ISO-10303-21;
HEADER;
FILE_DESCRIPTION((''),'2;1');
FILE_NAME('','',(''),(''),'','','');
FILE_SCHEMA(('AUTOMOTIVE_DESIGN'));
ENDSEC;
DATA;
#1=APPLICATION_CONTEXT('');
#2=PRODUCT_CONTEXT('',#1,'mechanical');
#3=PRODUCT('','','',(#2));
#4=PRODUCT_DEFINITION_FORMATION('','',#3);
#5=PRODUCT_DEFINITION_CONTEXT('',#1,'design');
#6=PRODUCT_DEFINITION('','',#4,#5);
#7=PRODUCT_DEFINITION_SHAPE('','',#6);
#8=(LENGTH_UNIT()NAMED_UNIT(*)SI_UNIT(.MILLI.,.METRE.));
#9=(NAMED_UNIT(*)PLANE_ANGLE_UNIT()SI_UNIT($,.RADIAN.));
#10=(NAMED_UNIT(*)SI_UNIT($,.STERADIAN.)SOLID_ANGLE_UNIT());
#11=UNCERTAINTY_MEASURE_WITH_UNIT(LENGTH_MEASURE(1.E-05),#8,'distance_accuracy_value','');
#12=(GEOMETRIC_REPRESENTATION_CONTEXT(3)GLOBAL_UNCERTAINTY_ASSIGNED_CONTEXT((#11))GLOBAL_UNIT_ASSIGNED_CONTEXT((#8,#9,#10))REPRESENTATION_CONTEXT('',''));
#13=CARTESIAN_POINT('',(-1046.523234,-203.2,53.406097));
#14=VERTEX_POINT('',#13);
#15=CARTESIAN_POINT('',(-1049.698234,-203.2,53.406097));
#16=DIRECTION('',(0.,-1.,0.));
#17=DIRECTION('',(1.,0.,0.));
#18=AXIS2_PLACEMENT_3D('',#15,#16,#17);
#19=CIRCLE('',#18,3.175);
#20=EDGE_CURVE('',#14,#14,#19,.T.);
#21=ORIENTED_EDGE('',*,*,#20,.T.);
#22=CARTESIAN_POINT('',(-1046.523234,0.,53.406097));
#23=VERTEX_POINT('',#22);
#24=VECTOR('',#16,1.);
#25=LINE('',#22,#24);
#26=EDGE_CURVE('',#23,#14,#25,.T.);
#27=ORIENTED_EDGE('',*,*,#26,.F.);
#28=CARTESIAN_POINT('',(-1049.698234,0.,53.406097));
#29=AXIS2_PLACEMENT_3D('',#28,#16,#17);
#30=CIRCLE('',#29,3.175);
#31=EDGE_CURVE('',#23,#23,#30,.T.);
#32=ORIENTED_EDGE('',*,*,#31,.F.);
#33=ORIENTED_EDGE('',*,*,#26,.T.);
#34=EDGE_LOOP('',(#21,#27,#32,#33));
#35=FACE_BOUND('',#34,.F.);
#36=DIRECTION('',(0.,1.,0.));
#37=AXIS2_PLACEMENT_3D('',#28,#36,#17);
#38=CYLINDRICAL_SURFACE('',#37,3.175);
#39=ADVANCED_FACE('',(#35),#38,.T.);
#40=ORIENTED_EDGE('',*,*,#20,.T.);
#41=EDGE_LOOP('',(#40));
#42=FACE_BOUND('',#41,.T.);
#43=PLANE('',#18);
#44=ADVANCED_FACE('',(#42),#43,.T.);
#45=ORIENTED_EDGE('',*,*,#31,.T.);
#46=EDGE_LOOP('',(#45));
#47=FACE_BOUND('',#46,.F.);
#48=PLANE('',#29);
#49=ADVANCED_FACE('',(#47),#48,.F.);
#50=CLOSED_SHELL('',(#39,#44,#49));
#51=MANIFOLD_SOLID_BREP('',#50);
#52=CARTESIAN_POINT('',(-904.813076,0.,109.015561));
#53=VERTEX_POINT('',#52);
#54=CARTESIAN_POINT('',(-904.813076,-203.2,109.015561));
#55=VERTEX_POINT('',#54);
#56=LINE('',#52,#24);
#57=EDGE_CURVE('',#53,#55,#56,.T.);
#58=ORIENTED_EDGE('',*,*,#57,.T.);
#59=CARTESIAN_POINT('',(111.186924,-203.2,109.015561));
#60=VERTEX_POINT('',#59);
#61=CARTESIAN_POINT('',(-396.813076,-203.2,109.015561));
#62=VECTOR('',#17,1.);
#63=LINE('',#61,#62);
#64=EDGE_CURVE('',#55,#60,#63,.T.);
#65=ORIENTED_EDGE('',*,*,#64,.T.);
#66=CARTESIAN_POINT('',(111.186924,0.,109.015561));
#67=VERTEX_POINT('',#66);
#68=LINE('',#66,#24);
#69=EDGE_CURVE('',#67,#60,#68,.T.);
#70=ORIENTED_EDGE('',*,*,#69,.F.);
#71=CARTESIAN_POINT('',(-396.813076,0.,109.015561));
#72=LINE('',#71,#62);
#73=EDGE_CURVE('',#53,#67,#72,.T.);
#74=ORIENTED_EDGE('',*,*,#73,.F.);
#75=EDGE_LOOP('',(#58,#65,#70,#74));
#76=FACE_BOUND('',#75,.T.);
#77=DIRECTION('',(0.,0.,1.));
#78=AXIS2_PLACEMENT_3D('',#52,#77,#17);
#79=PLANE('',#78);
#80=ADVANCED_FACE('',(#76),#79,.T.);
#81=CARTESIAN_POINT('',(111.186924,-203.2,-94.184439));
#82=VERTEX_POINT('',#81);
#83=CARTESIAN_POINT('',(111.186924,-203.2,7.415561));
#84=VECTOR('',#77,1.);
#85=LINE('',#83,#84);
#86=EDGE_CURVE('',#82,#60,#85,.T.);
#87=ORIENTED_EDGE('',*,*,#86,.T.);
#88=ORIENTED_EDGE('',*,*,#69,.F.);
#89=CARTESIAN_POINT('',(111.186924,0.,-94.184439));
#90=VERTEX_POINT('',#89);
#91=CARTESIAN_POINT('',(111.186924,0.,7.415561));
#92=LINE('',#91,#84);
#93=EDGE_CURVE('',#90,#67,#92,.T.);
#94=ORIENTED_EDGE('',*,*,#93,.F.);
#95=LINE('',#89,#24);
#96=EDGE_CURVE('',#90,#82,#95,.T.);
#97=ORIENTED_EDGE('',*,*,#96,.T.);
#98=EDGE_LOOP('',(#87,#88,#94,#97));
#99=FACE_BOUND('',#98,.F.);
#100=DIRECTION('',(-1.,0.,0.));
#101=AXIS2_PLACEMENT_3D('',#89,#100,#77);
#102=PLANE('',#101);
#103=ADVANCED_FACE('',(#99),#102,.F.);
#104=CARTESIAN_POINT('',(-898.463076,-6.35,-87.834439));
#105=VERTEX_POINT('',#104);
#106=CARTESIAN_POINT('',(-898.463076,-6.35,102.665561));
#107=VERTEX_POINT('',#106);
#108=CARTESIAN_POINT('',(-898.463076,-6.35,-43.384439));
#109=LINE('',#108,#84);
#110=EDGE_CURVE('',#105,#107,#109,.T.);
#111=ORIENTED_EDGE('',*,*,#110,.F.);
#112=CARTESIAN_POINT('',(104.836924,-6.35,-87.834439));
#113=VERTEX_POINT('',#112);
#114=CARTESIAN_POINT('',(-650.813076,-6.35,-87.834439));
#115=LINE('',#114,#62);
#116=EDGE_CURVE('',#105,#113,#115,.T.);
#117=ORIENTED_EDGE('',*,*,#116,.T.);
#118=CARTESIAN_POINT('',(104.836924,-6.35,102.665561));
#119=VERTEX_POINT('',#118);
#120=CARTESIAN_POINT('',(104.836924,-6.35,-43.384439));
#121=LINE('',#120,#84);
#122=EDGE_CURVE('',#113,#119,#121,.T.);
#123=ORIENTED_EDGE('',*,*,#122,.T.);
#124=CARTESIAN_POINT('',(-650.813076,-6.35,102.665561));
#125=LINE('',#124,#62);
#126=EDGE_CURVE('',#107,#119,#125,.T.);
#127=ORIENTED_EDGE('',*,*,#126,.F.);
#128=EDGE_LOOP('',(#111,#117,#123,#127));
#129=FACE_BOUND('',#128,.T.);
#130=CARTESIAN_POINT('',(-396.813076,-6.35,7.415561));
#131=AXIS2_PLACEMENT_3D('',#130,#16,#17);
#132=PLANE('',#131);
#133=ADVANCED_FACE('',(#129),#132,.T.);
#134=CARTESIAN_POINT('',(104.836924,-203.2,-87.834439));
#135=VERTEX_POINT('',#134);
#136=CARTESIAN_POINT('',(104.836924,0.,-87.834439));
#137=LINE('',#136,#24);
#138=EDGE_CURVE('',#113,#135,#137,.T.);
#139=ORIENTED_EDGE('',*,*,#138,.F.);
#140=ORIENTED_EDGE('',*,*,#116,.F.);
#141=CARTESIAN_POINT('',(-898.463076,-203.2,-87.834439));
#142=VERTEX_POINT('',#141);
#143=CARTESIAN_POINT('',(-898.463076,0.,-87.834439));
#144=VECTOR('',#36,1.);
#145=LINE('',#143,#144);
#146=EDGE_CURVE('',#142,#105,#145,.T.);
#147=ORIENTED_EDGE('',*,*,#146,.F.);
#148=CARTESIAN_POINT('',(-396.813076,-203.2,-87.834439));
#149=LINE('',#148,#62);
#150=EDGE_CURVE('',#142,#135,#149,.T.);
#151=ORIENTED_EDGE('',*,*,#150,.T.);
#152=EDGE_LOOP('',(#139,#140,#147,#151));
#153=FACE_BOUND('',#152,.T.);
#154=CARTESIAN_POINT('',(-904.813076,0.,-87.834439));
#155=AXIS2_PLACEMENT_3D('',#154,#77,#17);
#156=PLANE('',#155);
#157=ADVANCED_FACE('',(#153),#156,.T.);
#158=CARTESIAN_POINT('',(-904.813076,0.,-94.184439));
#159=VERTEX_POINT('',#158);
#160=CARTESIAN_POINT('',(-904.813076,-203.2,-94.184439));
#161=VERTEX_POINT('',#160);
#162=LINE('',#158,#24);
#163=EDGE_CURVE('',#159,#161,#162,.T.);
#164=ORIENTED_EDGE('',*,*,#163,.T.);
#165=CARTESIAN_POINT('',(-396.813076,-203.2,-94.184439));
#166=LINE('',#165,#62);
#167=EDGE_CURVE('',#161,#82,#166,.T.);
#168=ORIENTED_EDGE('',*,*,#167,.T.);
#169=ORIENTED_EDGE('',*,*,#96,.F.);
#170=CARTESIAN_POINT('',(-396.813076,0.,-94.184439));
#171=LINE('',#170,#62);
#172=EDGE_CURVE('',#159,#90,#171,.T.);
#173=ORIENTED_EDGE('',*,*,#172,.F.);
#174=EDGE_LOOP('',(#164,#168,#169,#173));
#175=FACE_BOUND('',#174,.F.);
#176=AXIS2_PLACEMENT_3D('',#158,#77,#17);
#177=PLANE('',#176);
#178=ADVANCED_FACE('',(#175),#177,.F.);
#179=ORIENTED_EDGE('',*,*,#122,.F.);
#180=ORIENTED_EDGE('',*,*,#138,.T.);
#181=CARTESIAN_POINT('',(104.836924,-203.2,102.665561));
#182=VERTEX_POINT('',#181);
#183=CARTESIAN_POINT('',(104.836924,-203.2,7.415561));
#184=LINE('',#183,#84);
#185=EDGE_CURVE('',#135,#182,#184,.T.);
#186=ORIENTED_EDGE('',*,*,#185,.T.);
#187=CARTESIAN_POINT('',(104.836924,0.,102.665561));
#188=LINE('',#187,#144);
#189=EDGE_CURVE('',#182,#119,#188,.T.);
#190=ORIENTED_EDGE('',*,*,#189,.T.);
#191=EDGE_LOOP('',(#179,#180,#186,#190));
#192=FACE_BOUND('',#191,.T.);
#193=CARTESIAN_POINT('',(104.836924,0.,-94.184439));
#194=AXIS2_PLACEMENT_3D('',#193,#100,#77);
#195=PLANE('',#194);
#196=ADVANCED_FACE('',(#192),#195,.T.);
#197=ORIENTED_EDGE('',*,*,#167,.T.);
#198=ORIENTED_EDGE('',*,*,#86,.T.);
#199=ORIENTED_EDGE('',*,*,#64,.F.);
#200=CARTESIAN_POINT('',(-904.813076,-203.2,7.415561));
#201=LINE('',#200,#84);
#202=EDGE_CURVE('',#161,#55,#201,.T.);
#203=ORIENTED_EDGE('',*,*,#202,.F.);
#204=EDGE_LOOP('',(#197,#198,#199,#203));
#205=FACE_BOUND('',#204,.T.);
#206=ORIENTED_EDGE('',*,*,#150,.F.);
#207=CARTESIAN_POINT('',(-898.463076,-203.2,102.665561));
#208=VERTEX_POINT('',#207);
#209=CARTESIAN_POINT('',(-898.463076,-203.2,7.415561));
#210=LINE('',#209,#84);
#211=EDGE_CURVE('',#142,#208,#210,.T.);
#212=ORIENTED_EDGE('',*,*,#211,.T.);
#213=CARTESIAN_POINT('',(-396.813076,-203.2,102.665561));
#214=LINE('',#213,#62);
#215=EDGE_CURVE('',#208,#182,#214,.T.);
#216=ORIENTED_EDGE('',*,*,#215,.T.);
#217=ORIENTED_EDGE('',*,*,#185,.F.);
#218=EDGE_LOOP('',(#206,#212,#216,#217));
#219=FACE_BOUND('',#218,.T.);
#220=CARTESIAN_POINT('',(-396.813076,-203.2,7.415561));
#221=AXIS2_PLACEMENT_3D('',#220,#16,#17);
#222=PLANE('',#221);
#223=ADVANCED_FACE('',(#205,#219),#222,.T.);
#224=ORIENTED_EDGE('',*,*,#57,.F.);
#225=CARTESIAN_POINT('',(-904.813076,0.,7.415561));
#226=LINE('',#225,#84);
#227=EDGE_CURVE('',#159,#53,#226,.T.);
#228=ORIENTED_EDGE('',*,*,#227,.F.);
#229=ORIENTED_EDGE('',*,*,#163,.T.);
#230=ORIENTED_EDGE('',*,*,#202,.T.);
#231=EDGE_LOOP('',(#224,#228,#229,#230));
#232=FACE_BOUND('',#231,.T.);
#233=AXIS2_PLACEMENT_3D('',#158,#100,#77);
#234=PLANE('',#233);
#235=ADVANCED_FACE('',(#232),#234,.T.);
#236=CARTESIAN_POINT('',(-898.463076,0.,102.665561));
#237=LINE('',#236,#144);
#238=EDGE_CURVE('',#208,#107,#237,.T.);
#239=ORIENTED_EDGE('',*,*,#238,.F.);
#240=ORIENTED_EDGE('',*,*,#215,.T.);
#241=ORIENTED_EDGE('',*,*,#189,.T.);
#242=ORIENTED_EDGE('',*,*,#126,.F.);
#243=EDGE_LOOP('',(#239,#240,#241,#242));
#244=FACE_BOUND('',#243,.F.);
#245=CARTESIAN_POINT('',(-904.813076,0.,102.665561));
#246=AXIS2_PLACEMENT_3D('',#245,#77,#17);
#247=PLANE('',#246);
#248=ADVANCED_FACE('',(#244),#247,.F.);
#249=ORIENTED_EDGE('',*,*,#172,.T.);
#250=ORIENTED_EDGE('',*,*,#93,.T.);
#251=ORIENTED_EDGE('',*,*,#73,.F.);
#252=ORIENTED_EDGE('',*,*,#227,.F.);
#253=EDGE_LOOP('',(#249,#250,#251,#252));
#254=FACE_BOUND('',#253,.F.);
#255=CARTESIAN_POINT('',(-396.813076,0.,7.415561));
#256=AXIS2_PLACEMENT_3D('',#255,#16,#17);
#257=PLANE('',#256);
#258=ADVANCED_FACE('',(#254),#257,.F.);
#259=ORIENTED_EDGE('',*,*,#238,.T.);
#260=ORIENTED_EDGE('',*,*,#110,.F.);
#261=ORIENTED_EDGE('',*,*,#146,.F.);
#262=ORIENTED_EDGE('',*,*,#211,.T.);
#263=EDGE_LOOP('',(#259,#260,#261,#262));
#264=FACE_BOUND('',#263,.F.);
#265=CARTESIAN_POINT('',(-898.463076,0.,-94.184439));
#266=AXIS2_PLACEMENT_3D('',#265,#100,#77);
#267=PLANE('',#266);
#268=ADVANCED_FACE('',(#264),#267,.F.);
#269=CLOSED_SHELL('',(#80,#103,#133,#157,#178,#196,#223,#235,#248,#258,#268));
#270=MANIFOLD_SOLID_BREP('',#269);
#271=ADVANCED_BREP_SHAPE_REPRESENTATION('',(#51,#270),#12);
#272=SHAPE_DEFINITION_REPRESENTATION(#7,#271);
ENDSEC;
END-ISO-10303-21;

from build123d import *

# Parameters (mm, degrees)
F0_W     = 1016
F0_H     = 203.2
F1_DEPTH = 203.2
F2_T     = -6.35
F3_R     = 3.175
F4_DEPTH = 203.2


with BuildPart() as f1:
    # F0 (on Front) → F1 (new body)
    with BuildSketch(Plane.XZ):
        with Locations((-396.813076, 7.415561)):
            Rectangle(F0_W, F0_H)
    extrude(amount=F1_DEPTH)

    # F2
    f2_openings = [f1.faces().sort_by_distance(p)[0] for p in [
        (-396.813076, -203.2, 7.415561),
    ]]
    offset(amount=F2_T, openings=f2_openings)


with BuildPart() as f4:
    # F3 (on Front) → F4 (new body)
    with BuildSketch(Plane.XZ):
        with Locations((-1049.698234, 53.406097)):
            Circle(F3_R)
    extrude(amount=F4_DEPTH)


solid = Compound([f1.part, f4.part])
